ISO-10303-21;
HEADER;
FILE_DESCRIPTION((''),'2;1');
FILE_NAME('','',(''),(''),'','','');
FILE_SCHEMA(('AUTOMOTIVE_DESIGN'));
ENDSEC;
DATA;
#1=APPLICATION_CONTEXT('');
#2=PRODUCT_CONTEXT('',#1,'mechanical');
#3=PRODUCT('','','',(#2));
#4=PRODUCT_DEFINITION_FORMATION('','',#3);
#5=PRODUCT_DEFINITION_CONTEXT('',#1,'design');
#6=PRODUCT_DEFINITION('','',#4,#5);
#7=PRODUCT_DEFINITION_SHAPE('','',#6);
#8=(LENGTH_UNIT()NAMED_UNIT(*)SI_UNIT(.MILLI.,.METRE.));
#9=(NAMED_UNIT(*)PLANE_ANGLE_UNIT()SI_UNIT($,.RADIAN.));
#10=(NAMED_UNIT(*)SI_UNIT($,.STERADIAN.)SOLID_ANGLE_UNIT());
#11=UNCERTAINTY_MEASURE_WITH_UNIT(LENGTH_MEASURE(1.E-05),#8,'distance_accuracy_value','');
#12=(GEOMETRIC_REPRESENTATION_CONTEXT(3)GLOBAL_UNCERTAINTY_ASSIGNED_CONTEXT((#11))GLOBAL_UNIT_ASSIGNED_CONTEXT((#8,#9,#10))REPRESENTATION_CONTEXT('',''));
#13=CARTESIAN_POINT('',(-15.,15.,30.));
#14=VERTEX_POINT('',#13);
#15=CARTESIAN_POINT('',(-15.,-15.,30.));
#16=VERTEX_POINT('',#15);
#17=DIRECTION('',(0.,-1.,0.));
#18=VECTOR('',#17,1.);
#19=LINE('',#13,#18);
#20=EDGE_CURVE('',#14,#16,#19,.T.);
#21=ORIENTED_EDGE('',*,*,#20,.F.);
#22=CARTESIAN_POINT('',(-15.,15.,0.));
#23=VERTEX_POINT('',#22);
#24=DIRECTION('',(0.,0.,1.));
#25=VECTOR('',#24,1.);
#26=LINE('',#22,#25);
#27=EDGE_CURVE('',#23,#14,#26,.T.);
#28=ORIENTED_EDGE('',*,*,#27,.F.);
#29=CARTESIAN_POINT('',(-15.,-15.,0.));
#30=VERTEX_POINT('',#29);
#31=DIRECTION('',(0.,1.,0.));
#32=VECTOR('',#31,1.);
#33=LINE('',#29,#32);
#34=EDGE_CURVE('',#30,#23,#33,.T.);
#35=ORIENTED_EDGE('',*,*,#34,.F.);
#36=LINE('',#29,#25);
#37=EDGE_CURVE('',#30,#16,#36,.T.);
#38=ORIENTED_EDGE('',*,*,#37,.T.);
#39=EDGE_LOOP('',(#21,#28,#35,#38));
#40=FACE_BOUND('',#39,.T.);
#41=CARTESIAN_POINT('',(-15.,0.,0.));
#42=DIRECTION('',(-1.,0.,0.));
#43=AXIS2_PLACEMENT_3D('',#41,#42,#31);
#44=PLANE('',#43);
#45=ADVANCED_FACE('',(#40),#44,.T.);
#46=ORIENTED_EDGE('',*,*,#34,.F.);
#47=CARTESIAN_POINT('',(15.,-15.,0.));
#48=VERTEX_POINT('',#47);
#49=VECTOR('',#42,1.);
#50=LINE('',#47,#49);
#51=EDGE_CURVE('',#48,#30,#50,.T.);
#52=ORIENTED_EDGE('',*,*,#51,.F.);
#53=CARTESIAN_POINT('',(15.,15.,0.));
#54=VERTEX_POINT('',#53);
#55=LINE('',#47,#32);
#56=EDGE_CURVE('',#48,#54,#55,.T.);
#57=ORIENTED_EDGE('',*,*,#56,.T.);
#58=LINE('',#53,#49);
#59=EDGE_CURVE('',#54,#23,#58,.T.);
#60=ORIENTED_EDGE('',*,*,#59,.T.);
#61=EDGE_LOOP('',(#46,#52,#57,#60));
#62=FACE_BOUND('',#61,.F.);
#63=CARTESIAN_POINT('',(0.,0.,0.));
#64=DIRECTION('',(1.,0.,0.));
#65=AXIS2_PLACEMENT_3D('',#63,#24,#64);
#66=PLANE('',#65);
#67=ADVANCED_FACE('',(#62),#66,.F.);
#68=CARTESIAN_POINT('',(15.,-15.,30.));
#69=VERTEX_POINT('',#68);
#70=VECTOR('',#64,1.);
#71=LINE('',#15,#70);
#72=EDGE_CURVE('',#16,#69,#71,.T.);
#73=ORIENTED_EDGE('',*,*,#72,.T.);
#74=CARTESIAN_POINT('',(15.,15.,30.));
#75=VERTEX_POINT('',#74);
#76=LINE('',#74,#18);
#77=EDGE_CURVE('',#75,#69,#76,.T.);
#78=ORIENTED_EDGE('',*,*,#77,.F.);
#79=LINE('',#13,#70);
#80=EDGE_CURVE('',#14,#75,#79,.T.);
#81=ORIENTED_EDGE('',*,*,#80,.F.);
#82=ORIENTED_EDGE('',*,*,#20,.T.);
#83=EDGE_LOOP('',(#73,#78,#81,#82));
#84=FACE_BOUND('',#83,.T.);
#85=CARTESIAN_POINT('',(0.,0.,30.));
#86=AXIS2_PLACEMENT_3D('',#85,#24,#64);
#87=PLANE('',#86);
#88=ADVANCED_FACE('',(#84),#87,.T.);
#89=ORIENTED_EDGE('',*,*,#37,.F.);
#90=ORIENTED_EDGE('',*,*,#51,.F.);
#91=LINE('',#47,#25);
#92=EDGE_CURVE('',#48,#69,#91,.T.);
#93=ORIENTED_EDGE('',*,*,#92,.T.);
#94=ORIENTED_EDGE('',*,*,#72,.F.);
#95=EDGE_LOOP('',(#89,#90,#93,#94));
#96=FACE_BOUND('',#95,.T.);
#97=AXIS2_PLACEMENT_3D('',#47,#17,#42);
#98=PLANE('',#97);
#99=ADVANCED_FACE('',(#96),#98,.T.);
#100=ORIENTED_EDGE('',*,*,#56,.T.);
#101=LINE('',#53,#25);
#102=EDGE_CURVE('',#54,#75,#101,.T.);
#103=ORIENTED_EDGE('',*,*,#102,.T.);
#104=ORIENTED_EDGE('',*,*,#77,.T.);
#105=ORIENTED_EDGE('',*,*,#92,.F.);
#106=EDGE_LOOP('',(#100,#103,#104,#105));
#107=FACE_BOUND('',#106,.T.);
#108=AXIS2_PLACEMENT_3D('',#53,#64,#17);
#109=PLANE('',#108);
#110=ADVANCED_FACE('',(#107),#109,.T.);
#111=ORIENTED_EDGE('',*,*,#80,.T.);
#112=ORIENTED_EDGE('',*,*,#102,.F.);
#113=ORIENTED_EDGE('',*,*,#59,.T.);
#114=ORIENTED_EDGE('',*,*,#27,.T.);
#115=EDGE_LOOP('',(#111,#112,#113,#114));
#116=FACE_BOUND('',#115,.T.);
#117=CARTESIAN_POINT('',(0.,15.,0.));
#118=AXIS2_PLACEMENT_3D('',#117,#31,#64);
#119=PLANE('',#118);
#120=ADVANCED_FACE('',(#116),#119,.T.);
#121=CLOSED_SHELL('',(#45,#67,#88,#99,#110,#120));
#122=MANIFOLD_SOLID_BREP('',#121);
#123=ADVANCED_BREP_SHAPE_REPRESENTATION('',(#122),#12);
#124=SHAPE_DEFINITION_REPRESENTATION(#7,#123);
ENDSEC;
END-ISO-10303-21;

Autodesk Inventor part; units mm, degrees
ref_plane "YZ Plane" through (0, 0, 0) normal (1, 0, 0) x (0, 1, 0)
ref_plane "XZ Plane" through (0, 0, 0) normal (0, 1, 0) x (-1, 0, 0)
ref_plane "XY Plane" through (0, 0, 0) normal (0, 0, 1) x (1, 0, 0)
sketch "Náčrt1" plane through (0, 0, 0) normal (0, 0, 1) x (1, 0, 0)
  line L0 (0, 21) -> (0, -21) projected
  line L1 (-21, 0) -> (21, 0) projected
  line L2 (-15, 15) -> (15, 15)
  line L3 (15, 15) -> (15, -15)
  line L4 (15, -15) -> (-15, -15)
  line L5 (-15, -15) -> (-15, 15)
  point P0 (0, 0)
  dimension "d0" = 30
  dimension "d1" = 30
extrude "Vysunutí1" add sketch "Náčrt1" along normal blind 30
properties part number "cube_3D tisk"
